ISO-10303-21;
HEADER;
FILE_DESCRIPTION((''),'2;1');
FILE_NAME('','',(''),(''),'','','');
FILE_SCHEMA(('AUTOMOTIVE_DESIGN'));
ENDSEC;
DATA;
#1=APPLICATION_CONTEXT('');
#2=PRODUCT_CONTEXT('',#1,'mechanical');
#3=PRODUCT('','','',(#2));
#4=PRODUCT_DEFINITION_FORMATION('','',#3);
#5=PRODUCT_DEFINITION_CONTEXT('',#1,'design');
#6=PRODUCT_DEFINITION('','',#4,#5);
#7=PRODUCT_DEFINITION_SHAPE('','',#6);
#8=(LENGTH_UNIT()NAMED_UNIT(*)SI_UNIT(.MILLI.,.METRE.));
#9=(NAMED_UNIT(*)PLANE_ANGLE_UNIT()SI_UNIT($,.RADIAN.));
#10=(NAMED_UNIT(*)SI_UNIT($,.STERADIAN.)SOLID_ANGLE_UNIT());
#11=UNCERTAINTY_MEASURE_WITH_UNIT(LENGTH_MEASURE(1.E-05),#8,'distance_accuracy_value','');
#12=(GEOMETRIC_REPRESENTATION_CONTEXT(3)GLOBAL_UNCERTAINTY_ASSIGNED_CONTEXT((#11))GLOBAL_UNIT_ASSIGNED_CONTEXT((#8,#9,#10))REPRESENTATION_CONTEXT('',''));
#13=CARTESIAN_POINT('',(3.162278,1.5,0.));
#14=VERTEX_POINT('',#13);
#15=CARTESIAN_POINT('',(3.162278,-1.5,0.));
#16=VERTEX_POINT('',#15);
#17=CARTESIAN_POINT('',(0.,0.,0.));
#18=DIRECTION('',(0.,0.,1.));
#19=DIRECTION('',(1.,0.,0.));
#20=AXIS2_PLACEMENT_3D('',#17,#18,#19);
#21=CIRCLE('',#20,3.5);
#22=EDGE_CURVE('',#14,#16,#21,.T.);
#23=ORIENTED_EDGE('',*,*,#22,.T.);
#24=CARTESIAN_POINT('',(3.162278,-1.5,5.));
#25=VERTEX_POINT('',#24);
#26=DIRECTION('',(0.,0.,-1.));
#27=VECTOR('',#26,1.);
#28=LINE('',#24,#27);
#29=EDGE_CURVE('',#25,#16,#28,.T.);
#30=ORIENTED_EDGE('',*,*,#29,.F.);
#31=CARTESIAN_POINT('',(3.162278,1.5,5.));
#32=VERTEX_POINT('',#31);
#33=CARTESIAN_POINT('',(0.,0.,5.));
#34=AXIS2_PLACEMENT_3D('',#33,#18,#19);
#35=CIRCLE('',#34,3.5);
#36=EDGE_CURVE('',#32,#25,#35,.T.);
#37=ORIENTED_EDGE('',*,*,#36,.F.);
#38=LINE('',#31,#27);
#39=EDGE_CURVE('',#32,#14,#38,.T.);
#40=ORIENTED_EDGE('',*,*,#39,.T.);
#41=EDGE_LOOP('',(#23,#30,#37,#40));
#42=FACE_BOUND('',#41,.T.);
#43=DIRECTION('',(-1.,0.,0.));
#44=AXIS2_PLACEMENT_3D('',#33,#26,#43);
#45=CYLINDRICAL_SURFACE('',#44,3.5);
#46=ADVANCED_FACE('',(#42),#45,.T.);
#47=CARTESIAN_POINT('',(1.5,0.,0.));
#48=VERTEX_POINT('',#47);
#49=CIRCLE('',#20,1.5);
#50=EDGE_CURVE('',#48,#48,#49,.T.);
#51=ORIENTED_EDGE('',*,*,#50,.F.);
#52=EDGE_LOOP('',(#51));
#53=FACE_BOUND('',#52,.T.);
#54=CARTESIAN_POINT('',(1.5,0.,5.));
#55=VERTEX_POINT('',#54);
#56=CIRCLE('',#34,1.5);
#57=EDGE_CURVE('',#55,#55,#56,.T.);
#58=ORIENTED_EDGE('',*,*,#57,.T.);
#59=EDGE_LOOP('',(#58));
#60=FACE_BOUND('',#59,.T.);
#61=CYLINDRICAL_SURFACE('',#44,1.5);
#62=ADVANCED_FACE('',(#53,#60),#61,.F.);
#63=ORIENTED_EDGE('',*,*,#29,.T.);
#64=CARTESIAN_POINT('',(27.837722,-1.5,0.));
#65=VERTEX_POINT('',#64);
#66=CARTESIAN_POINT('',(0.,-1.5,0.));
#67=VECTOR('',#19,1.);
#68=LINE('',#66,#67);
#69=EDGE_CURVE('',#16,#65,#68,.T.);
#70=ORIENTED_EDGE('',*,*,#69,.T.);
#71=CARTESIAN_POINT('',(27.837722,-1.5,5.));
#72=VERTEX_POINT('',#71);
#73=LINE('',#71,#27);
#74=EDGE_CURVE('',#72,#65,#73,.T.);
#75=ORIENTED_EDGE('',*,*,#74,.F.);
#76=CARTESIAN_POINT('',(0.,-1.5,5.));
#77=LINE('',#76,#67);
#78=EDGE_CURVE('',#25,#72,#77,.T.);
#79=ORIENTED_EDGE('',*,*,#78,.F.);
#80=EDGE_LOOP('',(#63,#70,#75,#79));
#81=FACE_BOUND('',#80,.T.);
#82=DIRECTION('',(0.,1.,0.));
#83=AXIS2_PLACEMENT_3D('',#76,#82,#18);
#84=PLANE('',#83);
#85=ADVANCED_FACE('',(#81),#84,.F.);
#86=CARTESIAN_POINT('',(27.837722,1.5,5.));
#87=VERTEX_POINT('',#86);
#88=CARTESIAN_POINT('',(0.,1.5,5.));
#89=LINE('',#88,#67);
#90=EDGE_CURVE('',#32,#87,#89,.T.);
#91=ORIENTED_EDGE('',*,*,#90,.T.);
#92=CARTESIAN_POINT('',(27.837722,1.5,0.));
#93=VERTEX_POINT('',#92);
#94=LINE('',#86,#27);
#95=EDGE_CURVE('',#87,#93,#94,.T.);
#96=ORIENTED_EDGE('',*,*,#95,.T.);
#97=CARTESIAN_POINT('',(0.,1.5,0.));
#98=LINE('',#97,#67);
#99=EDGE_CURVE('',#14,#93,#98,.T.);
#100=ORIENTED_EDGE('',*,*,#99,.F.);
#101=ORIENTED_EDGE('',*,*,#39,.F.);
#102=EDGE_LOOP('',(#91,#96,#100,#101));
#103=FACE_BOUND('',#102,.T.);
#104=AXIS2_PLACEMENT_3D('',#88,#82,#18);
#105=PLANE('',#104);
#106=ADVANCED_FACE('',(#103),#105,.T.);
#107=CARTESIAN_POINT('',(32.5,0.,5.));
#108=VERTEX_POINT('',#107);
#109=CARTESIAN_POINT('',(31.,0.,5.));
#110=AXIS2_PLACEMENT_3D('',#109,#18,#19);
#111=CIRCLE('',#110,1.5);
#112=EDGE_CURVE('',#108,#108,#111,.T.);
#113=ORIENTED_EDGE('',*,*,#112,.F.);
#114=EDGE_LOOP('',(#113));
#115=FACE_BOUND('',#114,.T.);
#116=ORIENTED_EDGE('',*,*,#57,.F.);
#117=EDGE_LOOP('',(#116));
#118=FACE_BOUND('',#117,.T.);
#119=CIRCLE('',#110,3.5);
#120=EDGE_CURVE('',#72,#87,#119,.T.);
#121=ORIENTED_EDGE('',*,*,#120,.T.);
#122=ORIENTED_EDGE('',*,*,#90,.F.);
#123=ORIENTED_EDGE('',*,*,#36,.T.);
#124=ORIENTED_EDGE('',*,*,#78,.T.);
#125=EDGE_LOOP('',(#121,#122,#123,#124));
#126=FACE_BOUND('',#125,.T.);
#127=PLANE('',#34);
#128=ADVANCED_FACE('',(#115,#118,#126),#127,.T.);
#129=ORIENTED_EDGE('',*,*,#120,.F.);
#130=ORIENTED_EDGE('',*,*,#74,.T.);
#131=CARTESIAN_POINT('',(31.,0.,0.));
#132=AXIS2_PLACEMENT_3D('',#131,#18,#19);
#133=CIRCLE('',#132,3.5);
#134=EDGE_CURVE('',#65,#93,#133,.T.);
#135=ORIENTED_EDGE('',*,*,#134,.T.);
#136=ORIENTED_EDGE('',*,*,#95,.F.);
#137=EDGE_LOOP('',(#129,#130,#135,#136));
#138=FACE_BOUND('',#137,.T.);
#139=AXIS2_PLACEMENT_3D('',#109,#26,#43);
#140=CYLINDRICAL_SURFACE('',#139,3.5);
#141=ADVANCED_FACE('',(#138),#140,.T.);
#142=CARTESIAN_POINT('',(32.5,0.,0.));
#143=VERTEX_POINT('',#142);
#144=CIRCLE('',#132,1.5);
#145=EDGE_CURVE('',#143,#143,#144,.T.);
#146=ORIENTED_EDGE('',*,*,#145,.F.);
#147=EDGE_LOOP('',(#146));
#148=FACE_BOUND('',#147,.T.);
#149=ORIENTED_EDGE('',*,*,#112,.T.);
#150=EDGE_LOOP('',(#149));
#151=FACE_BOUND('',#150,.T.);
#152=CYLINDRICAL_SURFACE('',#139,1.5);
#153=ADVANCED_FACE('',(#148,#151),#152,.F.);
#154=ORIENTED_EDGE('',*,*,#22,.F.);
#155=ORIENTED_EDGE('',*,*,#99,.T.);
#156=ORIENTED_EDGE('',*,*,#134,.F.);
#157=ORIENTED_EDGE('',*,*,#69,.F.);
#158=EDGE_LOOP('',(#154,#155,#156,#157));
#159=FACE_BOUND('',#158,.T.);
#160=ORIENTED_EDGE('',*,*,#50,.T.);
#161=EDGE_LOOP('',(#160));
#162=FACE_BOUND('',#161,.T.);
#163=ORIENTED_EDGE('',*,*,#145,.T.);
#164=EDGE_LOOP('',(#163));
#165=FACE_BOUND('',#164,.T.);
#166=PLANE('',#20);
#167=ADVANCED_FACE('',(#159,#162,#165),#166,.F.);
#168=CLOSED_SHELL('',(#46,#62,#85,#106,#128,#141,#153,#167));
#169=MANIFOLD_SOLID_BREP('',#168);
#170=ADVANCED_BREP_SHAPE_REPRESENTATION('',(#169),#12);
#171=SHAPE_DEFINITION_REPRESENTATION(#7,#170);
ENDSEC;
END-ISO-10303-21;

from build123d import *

# Parameters (mm, degrees)
SKETCH_1_R      = 1.5
EXTRUDE_1_DEPTH = 5


with BuildPart() as part:
    # 스케치1 → 보스-돌출1 (new body)
    # profile 1 of 5: a face of its own
    with BuildSketch(Plane.XY):
        with BuildLine():
            Line((27.83772234, 1.5), (3.16227766, 1.5))
            ThreePointArc((3.16227766, 1.5), (3.414525722, 0.768774411), (3.5, 0))
            ThreePointArc((3.5, 0), (3.414525722, -0.768774411), (3.16227766, -1.5))
            Line((3.16227766, -1.5), (27.83772234, -1.5))
            ThreePointArc((27.83772234, -1.5), (27.5, 0), (27.83772234, 1.5))
        make_face()
    # profile 2 of 5: a face of its own
    with BuildSketch(Plane.XY):
        with BuildLine():
            ThreePointArc((3.16227766, 1.5), (1.870828693, 2.958039892), (0, 3.5))
            ThreePointArc((0, 3.5), (-3.5, 0), (0, -3.5))
            ThreePointArc((0, -3.5), (1.870828693, -2.958039892), (3.16227766, -1.5))
            Line((3.16227766, -1.5), (3.16227766, 1.5))
        make_face()
        Circle(SKETCH_1_R, mode=Mode.SUBTRACT)
    # profile 3 of 5: a face of its own
    with BuildSketch(Plane.XY):
        with BuildLine():
            ThreePointArc((34.5, 0), (33.474873734, 2.474873734), (31, 3.5))
            ThreePointArc((31, 3.5), (29.129171307, 2.958039892), (27.83772234, 1.5))
            Line((27.83772234, 1.5), (27.83772234, -1.5))
            ThreePointArc((27.83772234, -1.5), (29.129171307, -2.958039892), (31, -3.5))
            ThreePointArc((31, -3.5), (33.474873734, -2.474873734), (34.5, 0))
        make_face()
        with Locations((31, 0)):
            Circle(SKETCH_1_R, mode=Mode.SUBTRACT)
    # profile 4 of 5: a face of its own
    with BuildSketch(Plane.XY):
        with BuildLine():
            ThreePointArc((3.5, 0), (3.414525722, 0.768774411), (3.16227766, 1.5))
            Line((3.16227766, 1.5), (3.16227766, -1.5))
            ThreePointArc((3.16227766, -1.5), (3.414525722, -0.768774411), (3.5, 0))
        make_face()
    # profile 5 of 5: a face of its own
    with BuildSketch(Plane.XY):
        with BuildLine():
            Line((27.83772234, -1.5), (27.83772234, 1.5))
            ThreePointArc((27.83772234, 1.5), (27.5, 0), (27.83772234, -1.5))
        make_face()
    extrude(amount=EXTRUDE_1_DEPTH)


solid = part.part
